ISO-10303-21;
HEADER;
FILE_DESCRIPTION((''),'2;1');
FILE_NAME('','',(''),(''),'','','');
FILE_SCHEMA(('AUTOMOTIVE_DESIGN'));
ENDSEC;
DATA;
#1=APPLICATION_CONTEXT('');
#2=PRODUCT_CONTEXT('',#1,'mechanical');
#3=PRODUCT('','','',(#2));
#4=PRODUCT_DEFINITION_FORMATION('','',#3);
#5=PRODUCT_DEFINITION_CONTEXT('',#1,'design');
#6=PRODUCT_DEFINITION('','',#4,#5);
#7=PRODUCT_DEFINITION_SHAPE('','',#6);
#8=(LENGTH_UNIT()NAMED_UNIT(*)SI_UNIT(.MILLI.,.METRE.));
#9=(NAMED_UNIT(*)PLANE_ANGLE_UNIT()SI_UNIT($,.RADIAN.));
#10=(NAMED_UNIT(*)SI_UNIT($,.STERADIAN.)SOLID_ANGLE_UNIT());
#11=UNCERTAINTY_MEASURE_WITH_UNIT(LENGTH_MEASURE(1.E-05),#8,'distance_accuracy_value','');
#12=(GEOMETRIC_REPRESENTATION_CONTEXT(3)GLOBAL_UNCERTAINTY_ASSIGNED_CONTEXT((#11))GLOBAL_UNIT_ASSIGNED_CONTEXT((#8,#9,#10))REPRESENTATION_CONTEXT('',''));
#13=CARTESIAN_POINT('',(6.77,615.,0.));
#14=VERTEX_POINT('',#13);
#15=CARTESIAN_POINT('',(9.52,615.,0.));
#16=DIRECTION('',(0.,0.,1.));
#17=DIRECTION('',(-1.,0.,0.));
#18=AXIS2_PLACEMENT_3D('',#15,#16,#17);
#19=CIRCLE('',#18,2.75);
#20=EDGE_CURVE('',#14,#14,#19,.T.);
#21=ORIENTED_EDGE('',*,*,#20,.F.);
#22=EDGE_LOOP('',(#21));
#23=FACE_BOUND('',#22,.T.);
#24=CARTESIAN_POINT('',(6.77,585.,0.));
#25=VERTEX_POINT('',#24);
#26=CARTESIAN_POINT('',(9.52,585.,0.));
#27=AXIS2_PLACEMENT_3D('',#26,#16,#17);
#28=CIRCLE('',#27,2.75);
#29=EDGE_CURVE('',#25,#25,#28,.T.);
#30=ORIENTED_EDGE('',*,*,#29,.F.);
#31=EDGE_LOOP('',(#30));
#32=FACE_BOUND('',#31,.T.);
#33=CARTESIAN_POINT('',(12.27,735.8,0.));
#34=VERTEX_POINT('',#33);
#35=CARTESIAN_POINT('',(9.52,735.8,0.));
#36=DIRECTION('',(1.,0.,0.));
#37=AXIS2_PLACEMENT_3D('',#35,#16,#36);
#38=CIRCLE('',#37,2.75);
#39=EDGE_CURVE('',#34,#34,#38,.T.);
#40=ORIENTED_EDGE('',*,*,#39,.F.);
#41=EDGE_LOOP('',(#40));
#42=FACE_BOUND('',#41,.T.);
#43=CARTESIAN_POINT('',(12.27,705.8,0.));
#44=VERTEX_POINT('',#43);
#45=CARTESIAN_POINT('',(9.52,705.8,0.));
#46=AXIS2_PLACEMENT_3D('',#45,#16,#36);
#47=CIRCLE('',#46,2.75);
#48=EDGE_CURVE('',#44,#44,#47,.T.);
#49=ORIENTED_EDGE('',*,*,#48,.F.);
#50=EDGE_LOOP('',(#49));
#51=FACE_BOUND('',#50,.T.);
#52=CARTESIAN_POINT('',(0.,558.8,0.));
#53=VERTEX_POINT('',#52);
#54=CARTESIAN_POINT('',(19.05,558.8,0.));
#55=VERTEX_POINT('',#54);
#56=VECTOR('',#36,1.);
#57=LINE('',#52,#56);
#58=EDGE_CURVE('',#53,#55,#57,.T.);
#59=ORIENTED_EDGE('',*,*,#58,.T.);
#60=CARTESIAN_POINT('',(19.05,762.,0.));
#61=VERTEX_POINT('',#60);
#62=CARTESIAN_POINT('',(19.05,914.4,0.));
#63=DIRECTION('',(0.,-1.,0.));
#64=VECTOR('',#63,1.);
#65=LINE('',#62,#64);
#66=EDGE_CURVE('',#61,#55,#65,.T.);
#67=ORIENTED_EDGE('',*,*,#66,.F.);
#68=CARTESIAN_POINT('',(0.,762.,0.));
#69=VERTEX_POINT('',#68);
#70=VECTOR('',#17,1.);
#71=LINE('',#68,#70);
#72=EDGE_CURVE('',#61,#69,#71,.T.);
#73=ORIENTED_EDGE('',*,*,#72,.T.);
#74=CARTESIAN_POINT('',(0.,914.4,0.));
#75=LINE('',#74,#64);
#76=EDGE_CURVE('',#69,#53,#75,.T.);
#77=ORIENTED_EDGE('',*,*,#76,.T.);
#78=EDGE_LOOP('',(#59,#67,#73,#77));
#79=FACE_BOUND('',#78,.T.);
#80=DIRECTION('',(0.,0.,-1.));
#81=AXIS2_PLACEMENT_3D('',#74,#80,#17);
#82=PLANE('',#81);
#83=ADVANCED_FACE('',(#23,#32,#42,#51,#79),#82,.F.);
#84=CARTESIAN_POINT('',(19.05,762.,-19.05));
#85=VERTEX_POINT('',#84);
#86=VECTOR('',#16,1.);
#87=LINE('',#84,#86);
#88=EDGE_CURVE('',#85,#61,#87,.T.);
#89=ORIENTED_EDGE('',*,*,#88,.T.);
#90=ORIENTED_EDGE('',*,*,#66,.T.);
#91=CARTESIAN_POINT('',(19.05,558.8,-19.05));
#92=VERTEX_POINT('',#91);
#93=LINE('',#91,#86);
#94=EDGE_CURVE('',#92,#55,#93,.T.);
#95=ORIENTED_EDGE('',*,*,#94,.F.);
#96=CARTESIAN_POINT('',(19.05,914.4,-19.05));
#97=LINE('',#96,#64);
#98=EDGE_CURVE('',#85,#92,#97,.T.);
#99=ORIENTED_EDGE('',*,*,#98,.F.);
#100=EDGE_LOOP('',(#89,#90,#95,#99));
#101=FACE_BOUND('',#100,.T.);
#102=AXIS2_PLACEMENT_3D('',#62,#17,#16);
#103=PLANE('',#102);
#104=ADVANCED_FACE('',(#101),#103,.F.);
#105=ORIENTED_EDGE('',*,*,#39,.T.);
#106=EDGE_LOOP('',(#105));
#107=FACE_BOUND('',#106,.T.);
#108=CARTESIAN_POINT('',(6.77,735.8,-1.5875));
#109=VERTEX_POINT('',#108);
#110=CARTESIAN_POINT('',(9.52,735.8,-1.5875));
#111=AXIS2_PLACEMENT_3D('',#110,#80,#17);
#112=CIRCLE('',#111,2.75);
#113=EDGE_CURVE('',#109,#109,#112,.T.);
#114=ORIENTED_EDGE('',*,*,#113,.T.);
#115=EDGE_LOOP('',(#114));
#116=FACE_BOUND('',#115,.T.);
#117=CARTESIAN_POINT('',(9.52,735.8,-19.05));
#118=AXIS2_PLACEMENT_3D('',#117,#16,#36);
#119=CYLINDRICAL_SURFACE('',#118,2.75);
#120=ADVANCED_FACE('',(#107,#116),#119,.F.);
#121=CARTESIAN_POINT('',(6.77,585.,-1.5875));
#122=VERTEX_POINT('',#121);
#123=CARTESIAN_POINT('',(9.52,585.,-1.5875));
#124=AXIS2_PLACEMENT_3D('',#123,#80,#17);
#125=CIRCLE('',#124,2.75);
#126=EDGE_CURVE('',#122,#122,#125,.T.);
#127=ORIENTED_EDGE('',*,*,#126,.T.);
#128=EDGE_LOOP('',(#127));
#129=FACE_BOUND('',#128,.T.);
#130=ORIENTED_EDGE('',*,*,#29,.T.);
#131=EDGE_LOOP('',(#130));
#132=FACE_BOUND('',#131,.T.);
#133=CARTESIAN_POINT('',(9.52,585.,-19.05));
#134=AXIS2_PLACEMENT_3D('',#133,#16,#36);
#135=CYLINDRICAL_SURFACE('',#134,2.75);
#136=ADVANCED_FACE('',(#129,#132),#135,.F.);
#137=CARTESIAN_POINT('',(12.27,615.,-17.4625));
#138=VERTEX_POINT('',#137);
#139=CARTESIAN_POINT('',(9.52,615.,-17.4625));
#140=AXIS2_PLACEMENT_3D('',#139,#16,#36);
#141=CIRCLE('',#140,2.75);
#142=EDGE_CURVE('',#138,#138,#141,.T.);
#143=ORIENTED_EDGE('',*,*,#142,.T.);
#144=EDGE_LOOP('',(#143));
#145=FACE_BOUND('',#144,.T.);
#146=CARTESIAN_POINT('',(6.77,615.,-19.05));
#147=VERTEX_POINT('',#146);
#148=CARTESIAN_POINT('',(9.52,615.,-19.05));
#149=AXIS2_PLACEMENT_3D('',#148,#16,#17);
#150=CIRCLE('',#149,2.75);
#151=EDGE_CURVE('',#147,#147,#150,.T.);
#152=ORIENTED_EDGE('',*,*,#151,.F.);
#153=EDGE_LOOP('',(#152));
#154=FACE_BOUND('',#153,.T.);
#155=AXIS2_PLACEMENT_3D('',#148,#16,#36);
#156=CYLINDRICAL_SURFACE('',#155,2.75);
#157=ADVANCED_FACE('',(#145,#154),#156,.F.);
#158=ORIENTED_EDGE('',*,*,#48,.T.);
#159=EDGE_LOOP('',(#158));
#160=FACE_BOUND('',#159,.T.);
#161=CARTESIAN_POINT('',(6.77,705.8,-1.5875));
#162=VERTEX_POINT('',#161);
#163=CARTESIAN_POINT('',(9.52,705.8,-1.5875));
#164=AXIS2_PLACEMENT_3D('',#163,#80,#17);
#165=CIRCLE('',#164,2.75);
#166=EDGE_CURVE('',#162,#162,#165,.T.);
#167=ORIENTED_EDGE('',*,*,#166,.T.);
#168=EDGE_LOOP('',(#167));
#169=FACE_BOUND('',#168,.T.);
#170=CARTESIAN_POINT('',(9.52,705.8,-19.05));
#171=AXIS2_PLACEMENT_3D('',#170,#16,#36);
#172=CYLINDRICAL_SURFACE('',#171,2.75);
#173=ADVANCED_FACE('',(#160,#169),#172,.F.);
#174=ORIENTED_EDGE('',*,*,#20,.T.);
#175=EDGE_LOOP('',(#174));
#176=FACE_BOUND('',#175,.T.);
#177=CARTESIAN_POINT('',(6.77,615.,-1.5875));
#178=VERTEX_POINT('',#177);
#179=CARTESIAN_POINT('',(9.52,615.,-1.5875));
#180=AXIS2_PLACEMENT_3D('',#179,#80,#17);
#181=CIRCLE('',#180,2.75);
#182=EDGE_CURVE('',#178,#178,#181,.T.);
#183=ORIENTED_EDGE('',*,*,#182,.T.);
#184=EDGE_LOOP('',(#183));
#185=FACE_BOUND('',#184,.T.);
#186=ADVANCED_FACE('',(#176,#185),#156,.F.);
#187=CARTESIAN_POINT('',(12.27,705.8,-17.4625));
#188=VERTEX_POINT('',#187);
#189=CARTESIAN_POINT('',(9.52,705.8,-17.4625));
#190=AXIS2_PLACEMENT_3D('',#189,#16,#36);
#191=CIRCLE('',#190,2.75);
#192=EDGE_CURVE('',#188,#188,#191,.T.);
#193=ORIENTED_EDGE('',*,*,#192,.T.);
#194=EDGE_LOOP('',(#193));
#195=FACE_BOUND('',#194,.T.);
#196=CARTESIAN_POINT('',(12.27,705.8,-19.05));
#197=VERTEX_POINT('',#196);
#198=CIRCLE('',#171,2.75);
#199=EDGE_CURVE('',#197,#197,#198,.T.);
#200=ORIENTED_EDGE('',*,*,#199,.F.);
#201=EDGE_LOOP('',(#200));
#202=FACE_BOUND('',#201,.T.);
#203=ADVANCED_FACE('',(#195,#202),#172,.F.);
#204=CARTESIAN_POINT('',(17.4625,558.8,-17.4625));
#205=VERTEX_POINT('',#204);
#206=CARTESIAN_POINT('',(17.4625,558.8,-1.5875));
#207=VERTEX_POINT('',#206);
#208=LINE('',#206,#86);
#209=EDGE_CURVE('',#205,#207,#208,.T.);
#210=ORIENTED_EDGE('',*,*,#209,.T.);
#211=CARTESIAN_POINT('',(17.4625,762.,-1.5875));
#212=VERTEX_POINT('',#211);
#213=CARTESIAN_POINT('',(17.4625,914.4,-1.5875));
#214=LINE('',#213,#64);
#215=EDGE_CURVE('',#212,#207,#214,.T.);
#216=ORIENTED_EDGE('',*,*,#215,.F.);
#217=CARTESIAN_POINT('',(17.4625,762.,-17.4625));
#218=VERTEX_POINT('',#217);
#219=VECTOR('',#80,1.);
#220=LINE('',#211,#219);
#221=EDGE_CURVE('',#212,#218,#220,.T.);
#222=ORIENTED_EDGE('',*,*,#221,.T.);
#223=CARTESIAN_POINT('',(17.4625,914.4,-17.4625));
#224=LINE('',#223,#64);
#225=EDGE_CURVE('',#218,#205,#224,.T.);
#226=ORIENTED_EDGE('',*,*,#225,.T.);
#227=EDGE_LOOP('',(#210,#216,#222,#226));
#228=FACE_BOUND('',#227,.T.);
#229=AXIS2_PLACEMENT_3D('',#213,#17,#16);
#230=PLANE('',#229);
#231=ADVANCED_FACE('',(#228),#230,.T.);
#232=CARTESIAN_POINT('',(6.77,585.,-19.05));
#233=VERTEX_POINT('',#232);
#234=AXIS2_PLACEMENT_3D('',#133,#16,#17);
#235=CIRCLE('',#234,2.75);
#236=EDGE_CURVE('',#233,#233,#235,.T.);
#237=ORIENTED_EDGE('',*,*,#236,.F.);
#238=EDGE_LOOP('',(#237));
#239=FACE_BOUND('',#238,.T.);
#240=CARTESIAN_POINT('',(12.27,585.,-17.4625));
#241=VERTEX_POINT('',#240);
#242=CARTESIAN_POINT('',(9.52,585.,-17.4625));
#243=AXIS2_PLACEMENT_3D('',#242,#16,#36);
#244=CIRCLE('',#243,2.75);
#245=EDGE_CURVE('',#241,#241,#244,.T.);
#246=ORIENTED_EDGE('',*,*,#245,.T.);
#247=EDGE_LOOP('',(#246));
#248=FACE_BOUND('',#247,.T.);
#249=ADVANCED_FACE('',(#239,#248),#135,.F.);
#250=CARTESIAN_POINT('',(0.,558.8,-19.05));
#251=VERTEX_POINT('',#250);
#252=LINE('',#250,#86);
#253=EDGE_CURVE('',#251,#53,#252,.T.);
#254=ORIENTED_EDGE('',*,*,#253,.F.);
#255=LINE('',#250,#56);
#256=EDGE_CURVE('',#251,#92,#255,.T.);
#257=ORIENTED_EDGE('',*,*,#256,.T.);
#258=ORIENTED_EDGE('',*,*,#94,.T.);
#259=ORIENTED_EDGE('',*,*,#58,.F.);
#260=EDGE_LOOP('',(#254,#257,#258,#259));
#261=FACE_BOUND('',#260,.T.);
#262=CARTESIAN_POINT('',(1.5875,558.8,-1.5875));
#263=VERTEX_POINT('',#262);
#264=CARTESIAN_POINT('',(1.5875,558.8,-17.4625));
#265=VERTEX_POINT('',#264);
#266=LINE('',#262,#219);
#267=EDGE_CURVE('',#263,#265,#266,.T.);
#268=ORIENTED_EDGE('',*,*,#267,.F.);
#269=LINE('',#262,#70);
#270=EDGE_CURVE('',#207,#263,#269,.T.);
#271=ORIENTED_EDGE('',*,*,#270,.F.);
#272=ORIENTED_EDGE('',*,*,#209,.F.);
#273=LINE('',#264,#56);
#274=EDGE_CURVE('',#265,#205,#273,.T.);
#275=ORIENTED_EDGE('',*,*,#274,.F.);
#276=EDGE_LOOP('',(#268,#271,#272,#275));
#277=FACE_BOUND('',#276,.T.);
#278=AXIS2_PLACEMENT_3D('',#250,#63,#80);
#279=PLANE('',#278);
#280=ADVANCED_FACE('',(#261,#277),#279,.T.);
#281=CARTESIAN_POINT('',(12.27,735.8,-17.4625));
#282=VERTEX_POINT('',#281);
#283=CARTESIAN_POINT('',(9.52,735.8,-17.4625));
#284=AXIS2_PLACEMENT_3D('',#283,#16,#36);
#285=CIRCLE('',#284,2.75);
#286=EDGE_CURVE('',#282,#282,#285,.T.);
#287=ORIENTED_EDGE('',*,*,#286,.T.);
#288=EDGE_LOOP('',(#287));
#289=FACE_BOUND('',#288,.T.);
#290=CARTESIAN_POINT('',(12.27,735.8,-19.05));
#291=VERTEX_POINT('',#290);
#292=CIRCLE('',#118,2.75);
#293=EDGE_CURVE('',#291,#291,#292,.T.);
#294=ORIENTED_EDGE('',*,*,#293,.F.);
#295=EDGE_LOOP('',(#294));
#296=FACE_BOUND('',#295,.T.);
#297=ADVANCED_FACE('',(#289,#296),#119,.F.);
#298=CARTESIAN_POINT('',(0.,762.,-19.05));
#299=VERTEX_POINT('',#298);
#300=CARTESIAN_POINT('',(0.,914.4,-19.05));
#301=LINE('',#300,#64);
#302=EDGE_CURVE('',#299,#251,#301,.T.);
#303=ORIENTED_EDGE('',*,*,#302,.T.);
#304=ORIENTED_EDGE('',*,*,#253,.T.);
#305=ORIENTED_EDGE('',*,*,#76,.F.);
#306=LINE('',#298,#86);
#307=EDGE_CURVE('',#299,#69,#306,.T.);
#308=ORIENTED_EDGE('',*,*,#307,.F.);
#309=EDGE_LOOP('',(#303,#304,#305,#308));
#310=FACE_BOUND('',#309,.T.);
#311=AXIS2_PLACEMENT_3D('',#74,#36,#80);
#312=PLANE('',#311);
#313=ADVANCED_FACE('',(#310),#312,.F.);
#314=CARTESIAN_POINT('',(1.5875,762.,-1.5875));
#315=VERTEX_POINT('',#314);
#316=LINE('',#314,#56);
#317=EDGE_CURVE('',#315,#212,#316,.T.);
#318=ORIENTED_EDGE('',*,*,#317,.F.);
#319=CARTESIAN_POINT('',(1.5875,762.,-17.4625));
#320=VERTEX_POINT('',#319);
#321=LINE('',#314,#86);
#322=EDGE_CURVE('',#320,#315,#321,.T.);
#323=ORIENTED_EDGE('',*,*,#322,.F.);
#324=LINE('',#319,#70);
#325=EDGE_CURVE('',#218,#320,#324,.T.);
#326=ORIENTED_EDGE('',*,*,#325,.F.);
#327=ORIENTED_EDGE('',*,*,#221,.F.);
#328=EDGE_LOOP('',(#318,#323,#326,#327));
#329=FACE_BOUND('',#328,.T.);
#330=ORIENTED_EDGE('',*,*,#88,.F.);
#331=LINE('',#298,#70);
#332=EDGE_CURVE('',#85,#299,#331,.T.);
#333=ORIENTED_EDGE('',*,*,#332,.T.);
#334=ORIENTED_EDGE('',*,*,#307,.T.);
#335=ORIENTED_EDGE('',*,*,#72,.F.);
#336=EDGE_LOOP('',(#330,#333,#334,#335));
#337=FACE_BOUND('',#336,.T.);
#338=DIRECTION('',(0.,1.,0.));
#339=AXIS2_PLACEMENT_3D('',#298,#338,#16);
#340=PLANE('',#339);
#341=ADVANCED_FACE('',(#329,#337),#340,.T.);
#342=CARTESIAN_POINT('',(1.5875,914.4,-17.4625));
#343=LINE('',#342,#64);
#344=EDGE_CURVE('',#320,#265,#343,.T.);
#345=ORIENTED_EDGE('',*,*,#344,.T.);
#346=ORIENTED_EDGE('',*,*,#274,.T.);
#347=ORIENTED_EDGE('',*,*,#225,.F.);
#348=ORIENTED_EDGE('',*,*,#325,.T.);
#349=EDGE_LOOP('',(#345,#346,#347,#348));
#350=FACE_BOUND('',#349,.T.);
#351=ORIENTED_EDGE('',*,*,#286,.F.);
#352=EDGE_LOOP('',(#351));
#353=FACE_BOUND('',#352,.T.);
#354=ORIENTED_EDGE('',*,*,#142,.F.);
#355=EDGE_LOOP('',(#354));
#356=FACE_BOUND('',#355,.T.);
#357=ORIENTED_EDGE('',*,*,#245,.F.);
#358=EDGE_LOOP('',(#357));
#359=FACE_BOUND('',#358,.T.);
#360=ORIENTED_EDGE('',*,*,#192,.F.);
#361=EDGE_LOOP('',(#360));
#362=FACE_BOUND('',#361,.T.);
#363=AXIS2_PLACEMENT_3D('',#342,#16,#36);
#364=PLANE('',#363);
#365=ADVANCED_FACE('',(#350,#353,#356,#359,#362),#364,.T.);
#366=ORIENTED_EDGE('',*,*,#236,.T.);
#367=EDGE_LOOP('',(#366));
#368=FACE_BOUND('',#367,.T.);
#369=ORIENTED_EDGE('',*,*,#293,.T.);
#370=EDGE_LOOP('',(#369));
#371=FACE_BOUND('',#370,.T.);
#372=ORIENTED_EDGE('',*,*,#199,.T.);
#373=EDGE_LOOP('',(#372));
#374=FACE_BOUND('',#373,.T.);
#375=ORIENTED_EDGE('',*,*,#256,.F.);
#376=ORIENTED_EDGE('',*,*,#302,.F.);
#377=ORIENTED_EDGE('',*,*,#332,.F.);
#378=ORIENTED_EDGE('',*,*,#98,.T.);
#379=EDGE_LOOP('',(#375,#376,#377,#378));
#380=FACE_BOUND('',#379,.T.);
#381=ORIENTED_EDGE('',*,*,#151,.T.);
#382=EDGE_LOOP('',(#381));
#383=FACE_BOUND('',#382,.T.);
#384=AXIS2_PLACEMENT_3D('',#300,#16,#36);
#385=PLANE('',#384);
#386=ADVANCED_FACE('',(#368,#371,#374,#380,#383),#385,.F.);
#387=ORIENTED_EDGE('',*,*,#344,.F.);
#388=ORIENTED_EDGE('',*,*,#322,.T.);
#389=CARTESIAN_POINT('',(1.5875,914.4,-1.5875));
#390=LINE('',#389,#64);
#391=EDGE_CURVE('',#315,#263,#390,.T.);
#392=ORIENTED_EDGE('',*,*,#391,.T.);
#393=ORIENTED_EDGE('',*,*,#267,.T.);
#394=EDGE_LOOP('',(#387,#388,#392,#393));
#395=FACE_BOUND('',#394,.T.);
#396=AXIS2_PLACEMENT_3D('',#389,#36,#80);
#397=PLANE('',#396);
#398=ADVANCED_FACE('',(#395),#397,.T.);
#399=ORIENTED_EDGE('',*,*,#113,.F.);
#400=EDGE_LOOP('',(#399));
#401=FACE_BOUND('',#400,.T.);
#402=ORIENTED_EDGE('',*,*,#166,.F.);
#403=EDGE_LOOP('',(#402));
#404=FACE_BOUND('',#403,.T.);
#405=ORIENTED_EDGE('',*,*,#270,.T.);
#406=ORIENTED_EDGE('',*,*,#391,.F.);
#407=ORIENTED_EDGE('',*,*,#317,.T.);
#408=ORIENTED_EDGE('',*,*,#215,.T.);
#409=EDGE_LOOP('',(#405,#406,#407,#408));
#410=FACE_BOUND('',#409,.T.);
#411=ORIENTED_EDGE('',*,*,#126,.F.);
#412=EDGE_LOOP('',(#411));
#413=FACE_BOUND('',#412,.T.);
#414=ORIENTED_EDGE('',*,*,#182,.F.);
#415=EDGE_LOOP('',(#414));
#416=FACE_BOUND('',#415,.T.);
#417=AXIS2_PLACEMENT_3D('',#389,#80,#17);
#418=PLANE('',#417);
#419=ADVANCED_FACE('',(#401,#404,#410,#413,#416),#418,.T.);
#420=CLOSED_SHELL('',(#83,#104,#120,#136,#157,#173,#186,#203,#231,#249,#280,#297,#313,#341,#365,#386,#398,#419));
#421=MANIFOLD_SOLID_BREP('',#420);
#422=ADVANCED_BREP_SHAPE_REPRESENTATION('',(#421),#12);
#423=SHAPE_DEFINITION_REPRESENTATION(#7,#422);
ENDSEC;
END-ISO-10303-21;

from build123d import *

# Parameters (mm, degrees)
SKETCH1_W           = 19.05
SKETCH1_H           = 19.05
SKETCH1_W_2         = 15.875
SKETCH1_H_2         = 15.875
BOSS_EXTRUDE1_DEPTH = 914.4
SKETCH2_R           = 2.75
CUT_EXTRUDE1_DEPTH  = 20.05
CUT_EXTRUDE2_REACH  = 21.05
SKETCH3_R           = 4.255
SKETCH4_OUTSIDE_W   = 204.01
SKETCH4_OUTSIDE_H   = 1099.36
SKETCH4_OUTSIDE_W_2 = 19.05
SKETCH4_OUTSIDE_H_2 = 203.2
CUT_EXTRUDE3_DEPTH  = 20.05
SKETCH5_R           = 2.75
CUT_EXTRUDE4_DEPTH  = 20.05


with BuildPart() as part:
    # Sketch1 → Boss-Extrude1 (new body)
    with BuildSketch(Plane(origin=(0, 0, 0), x_dir=(1, 0, 0), z_dir=(0, 1, 0))):
        with Locations((9.525, 9.525)):
            Rectangle(SKETCH1_W, SKETCH1_H)
        with Locations((9.525, 9.525)):
            Rectangle(SKETCH1_W_2, SKETCH1_H_2, mode=Mode.SUBTRACT)
    extrude(amount=BOSS_EXTRUDE1_DEPTH)

    # Sketch2 → Cut-Extrude1 (cut, through all)
    with BuildSketch(Plane.XY):
        with Locations((9.525, 906.4)):
            Circle(SKETCH2_R)
        with Locations((9.525, 891.4)):
            Circle(SKETCH2_R)
    extrude(amount=-CUT_EXTRUDE1_DEPTH, mode=Mode.SUBTRACT)

    # Sketch3 → Cut-Extrude2 (cut, up to next)
    with BuildSketch(Plane(origin=(0, 0, -19.05), x_dir=(-1, 0, 0), z_dir=(0, 0, -1)), mode=Mode.PRIVATE) as cut_extrude2_sk1:
        with Locations((-9.525, 906.4)):
            Circle(SKETCH3_R)
    cut_extrude2_tool1 = extrude(cut_extrude2_sk1.sketch, amount=-CUT_EXTRUDE2_REACH, mode=Mode.PRIVATE) & part.part
    add(cut_extrude2_tool1.solids().sort_by_distance((9.525, 906.4, -19.05))[0], mode=Mode.SUBTRACT)
    # Sketch3 → Cut-Extrude2 (cut, up to next)
    with BuildSketch(Plane(origin=(0, 0, -19.05), x_dir=(-1, 0, 0), z_dir=(0, 0, -1)), mode=Mode.PRIVATE) as cut_extrude2_sk2:
        with Locations((-9.525, 891.4)):
            Circle(SKETCH3_R)
    cut_extrude2_tool2 = extrude(cut_extrude2_sk2.sketch, amount=-CUT_EXTRUDE2_REACH, mode=Mode.PRIVATE) & part.part
    add(cut_extrude2_tool2.solids().sort_by_distance((9.525, 891.4, -19.05))[0], mode=Mode.SUBTRACT)

    # Sketch4 outside → Cut-Extrude3 (cut, through all)
    with BuildSketch(Plane.XY):
        with Locations((9.525, 457.2)):
            Rectangle(SKETCH4_OUTSIDE_W, SKETCH4_OUTSIDE_H)
        with Locations((9.525, 660.4)):
            Rectangle(SKETCH4_OUTSIDE_W_2, SKETCH4_OUTSIDE_H_2, mode=Mode.SUBTRACT)
    extrude(amount=-CUT_EXTRUDE3_DEPTH, mode=Mode.SUBTRACT)

    # Sketch5 → Cut-Extrude4 (cut, through all)
    with BuildSketch(Plane.XY):
        with Locations((9.52, 735.8)):
            Circle(SKETCH5_R)
        with Locations((9.52, 705.8)):
            Circle(SKETCH5_R)
        with Locations((9.52, 585)):
            Circle(SKETCH5_R)
        with Locations((9.52, 615)):
            Circle(SKETCH5_R)
    extrude(amount=-CUT_EXTRUDE4_DEPTH, mode=Mode.SUBTRACT)


solid = part.part
